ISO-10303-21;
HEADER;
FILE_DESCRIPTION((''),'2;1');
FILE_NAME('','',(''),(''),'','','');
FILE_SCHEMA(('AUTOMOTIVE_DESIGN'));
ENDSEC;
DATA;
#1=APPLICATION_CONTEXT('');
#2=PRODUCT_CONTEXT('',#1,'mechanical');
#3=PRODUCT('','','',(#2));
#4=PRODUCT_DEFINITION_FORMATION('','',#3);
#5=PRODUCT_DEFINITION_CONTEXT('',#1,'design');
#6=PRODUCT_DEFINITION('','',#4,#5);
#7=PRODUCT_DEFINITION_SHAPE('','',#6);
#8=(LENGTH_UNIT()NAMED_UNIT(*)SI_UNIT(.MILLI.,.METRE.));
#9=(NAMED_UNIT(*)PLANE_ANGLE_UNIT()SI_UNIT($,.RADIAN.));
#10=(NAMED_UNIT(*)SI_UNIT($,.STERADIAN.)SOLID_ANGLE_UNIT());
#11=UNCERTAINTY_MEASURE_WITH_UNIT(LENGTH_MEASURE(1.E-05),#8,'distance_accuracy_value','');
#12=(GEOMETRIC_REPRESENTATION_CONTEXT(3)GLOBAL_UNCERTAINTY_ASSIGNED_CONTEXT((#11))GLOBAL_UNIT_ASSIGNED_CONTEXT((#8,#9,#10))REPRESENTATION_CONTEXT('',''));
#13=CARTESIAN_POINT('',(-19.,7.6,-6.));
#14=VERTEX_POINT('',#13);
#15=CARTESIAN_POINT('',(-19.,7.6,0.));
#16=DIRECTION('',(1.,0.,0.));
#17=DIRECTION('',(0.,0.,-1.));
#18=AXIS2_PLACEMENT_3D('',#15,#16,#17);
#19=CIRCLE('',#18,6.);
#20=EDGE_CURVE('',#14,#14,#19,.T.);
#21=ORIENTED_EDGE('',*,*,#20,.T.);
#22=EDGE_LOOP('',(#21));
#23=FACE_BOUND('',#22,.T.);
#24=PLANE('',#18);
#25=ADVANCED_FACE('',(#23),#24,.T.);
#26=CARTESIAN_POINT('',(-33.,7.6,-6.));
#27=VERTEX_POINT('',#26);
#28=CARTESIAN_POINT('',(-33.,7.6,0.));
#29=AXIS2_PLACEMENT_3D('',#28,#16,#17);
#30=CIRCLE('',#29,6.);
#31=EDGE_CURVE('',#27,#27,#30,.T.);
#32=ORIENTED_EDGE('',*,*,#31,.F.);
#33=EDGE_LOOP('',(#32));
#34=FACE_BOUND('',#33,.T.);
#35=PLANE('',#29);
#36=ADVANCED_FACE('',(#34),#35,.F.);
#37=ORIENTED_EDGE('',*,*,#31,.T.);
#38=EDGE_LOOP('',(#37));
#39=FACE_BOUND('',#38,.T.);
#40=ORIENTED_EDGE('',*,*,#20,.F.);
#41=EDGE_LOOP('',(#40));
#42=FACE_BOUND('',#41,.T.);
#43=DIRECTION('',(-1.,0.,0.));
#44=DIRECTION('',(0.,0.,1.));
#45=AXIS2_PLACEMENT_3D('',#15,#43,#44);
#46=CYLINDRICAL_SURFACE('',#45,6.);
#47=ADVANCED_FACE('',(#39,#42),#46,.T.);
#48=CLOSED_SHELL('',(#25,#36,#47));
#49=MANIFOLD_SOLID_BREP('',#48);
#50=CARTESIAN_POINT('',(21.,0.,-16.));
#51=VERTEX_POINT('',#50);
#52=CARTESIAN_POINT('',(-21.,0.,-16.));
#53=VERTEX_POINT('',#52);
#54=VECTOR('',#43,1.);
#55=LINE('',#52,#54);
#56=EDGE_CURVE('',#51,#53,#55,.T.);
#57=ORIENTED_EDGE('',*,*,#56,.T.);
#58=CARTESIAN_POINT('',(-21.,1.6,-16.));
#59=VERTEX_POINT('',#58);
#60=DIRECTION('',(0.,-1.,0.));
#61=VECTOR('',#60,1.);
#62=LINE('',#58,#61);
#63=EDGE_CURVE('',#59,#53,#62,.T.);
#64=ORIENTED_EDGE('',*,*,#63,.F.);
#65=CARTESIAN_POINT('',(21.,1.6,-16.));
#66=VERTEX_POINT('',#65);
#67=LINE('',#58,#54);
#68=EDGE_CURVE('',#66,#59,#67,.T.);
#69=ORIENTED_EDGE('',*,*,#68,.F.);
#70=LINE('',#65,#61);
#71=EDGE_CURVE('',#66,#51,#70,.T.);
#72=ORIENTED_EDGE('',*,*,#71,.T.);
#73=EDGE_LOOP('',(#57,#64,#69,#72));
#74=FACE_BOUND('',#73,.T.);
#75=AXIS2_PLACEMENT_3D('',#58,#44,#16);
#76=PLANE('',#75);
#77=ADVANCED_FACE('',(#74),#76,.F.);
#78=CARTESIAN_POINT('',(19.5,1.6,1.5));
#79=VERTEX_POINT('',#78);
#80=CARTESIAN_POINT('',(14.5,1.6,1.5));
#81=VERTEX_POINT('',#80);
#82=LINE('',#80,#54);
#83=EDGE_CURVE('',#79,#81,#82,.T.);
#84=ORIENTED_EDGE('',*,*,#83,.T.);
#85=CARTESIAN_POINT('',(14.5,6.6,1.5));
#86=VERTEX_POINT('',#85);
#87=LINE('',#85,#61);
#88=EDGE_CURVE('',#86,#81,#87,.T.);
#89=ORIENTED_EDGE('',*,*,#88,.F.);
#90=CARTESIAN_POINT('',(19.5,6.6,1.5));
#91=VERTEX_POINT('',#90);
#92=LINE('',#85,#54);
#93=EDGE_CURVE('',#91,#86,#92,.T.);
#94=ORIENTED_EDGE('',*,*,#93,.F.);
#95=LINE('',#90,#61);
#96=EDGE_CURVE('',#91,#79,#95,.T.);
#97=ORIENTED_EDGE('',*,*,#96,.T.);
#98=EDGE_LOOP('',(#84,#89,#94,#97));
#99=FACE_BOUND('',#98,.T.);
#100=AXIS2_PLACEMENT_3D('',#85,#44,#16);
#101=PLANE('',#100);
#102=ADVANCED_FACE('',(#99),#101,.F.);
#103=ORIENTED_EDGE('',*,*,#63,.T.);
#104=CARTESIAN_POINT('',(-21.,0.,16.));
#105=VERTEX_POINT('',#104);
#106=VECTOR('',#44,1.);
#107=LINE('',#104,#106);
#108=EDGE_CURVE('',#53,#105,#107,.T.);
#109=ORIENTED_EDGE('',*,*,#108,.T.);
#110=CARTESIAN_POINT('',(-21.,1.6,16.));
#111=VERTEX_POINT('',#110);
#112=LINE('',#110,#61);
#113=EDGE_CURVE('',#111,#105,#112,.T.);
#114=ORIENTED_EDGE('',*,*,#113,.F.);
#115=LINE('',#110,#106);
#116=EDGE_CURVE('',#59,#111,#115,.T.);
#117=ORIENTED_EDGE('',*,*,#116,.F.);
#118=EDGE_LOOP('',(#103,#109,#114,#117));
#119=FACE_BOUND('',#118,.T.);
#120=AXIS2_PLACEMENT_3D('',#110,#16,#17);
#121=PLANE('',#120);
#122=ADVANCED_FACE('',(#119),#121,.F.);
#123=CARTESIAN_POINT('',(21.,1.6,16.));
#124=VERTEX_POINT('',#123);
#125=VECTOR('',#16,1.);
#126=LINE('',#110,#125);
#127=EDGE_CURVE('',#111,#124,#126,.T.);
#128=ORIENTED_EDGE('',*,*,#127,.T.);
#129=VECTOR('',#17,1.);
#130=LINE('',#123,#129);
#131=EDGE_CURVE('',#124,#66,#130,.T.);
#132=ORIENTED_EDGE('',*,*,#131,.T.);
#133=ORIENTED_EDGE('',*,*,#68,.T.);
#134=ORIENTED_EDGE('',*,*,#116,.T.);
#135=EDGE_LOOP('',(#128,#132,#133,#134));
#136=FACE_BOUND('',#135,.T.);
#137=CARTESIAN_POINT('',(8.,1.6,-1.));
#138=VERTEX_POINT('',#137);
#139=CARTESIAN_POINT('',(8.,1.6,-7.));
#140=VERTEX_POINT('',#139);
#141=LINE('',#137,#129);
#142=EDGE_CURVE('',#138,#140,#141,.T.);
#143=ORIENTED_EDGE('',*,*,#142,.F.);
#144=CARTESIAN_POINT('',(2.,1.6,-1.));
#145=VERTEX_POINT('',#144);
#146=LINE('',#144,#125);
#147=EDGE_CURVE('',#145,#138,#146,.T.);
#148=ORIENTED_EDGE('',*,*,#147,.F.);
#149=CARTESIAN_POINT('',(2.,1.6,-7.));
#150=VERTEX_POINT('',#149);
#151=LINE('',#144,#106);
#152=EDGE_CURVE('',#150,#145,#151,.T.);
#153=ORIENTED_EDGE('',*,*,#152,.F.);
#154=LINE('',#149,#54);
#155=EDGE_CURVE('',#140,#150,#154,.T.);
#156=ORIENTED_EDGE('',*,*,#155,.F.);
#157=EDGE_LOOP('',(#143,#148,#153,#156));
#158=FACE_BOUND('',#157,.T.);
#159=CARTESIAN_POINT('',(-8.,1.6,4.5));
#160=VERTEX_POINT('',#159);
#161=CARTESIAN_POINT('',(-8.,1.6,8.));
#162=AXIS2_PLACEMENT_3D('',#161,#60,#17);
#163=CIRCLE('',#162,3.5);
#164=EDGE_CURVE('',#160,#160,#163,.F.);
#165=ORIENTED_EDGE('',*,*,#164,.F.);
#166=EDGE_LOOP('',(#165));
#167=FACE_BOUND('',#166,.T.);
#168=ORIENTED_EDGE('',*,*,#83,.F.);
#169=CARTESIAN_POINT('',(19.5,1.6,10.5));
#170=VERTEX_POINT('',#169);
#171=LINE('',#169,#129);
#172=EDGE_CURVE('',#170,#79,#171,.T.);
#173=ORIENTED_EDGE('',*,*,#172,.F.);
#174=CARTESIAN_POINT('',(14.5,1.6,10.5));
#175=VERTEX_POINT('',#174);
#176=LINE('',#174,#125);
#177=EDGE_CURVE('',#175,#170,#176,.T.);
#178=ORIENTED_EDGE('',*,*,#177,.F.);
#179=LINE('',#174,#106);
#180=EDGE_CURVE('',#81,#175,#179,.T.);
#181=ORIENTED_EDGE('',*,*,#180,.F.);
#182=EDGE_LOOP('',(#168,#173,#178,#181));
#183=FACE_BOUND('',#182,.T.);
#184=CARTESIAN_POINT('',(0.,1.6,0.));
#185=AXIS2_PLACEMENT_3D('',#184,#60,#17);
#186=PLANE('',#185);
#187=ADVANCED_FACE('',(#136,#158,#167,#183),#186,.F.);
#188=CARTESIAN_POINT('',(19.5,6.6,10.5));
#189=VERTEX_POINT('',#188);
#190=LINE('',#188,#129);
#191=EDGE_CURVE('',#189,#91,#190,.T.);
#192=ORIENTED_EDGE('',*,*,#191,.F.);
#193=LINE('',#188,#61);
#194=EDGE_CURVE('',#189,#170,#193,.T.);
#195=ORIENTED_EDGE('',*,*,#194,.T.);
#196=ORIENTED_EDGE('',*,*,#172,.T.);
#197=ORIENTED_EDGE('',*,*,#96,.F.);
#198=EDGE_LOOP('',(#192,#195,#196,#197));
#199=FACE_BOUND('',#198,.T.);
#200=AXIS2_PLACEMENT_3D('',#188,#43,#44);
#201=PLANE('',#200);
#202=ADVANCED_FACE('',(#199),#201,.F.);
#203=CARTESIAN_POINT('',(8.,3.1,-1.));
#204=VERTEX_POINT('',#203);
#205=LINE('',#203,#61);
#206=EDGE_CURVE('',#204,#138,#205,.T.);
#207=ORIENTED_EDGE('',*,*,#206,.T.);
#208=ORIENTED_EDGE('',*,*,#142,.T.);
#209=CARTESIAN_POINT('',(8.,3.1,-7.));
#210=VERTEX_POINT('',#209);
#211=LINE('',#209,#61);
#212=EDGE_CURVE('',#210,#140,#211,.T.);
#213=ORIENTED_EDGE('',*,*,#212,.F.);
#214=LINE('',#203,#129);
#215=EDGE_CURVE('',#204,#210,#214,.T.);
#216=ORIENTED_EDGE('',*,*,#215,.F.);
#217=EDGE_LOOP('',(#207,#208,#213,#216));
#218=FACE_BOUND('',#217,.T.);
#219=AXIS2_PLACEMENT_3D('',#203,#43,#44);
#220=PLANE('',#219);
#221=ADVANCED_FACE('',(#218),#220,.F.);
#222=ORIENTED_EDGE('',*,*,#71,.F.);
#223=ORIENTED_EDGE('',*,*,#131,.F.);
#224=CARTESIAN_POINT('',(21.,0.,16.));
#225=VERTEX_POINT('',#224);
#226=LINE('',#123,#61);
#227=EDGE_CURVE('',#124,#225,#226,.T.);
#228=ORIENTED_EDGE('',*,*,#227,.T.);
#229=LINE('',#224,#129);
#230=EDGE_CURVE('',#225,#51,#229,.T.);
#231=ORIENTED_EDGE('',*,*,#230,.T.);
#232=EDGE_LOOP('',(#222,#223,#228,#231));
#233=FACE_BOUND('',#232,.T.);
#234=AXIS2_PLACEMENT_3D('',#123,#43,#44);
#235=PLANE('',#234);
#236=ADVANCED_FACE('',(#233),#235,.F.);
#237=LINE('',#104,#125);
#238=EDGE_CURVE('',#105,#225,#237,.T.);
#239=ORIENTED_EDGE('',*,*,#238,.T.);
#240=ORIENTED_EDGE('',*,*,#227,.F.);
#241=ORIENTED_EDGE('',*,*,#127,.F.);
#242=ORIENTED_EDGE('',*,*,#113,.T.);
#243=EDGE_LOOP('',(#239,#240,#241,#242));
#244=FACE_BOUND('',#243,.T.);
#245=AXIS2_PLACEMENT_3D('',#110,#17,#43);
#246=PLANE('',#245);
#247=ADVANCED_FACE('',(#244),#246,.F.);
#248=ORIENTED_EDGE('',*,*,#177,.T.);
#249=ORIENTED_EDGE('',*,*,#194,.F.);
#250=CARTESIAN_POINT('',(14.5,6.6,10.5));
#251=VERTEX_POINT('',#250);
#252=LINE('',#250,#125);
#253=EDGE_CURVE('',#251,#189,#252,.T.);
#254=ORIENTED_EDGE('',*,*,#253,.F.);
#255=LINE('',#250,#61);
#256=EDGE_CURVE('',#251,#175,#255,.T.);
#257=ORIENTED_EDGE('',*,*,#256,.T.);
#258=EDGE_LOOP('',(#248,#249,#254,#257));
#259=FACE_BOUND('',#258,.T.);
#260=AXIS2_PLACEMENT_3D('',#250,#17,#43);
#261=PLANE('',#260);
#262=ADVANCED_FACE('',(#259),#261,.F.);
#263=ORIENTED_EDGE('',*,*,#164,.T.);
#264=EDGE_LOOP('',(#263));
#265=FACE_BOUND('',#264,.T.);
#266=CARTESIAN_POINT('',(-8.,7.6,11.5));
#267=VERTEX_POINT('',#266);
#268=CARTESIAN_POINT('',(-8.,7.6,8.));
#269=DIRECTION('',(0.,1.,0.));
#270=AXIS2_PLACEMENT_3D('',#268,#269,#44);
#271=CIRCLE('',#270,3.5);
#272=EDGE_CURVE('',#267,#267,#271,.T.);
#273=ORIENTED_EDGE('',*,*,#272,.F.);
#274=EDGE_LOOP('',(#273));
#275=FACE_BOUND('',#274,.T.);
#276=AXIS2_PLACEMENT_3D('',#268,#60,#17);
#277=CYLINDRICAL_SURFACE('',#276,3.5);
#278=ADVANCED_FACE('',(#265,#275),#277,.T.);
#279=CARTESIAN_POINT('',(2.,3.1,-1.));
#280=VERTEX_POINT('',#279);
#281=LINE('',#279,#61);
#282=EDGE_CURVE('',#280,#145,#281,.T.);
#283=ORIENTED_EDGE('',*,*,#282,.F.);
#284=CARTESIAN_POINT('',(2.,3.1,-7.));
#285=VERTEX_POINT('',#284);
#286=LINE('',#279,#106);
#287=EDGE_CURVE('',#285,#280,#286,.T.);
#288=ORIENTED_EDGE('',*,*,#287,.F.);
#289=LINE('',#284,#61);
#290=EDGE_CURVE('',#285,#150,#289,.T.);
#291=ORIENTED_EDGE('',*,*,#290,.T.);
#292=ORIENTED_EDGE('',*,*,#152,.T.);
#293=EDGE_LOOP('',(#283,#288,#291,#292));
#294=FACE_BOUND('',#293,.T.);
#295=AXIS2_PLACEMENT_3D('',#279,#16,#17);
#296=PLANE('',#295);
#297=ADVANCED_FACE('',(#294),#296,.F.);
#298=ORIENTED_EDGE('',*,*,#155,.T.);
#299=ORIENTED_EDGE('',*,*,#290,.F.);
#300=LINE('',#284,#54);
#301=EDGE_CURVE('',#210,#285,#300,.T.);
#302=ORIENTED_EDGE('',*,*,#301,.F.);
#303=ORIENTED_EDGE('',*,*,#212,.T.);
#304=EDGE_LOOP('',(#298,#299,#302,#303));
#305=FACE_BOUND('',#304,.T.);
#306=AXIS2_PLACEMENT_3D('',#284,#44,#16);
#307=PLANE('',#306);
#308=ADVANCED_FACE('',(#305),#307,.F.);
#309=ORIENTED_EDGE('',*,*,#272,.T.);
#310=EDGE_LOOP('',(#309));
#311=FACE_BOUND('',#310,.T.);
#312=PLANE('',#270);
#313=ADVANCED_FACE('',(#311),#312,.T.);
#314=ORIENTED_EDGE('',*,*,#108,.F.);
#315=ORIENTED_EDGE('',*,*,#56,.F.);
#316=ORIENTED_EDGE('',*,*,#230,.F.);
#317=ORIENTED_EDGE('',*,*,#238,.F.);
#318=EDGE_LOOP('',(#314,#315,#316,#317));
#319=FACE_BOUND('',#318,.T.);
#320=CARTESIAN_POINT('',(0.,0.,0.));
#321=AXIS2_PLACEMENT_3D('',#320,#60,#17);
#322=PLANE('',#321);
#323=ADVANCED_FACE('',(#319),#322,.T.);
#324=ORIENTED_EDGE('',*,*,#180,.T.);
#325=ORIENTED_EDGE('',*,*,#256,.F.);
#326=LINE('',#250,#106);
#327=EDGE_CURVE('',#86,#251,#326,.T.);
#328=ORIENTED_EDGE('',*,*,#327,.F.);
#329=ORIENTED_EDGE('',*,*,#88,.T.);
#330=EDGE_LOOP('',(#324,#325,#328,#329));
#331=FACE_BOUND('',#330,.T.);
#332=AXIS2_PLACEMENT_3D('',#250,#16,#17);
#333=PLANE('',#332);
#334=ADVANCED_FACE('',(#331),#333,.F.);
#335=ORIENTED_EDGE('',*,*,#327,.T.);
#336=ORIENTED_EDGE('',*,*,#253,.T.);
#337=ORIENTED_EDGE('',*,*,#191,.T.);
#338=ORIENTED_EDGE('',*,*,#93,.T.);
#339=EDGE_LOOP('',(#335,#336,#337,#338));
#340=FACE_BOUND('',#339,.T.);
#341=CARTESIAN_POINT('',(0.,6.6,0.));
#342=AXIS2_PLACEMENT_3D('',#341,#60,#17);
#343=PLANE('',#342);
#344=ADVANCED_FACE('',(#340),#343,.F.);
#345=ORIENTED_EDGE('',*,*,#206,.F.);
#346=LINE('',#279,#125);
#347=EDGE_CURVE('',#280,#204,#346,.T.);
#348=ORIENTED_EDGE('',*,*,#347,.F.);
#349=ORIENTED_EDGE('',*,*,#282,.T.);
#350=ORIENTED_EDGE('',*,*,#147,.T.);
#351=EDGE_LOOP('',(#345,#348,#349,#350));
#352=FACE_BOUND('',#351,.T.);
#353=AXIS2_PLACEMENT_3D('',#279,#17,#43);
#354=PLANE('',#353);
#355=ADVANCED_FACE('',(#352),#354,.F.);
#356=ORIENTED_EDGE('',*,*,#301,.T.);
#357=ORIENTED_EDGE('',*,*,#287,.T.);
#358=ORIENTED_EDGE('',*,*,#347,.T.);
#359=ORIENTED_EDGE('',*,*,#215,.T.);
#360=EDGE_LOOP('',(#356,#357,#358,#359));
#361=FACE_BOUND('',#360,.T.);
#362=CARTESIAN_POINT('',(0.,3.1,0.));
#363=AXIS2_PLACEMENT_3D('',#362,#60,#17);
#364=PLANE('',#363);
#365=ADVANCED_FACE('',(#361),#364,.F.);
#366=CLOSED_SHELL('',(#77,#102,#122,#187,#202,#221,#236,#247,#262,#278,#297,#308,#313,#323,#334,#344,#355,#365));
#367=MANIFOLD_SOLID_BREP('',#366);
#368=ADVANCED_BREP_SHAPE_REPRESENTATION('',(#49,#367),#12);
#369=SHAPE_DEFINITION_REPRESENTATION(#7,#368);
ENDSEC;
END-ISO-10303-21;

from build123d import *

# Parameters (mm, degrees)
SKETCH1_W           = 42
SKETCH1_H           = 32
PCB_DEPTH           = 1.6
IC_START            = 1.6
SKETCH2_W           = 6
SKETCH2_H           = 6
IC_DEPTH            = 1.5
OUT_CONNECTOR_START = 1.6
SKETCH3_W           = 5
SKETCH3_H           = 9
OUT_CONNECTOR_DEPTH = 5
BNC_SOCKET_START    = -33
SKETCH4_R           = 6
BNC_SOCKET_DEPTH    = 14
TRIM_POT_START      = 1.6
SKETCH5_R           = 3.5
TRIM_POT_DEPTH      = 6


with BuildPart() as part:
    # Sketch1 → PCB (new body)
    with BuildSketch(Plane(origin=(0, 0, 0), x_dir=(1, 0, 0), z_dir=(0, 1, 0))):
        Rectangle(SKETCH1_W, SKETCH1_H)
    extrude(amount=PCB_DEPTH)

    # Sketch2 → IC (add)
    with BuildSketch(Plane(origin=(0, 0, 0), x_dir=(1, 0, 0), z_dir=(0, 1, 0)).offset(IC_START)):
        with Locations((5, 4)):
            Rectangle(SKETCH2_W, SKETCH2_H)
    extrude(amount=IC_DEPTH)

    # Sketch3 → Out_Connector (add)
    with BuildSketch(Plane(origin=(0, 0, 0), x_dir=(1, 0, 0), z_dir=(0, 1, 0)).offset(OUT_CONNECTOR_START)):
        with Locations((17, -6)):
            Rectangle(SKETCH3_W, SKETCH3_H)
    extrude(amount=OUT_CONNECTOR_DEPTH)

    # Sketch5 → Trim_Pot (add)
    with BuildSketch(Plane(origin=(0, 0, 0), x_dir=(1, 0, 0), z_dir=(0, 1, 0)).offset(TRIM_POT_START)):
        with Locations(Location((-8, -8, 0), (0, 0, 90))):
            Circle(SKETCH5_R)
    extrude(amount=TRIM_POT_DEPTH)


with BuildPart() as body_2:
    # Sketch4 → BNC_Socket (new body)
    with BuildSketch(Plane(origin=(0, 0, 0), x_dir=(0, 0, -1), z_dir=(1, 0, 0)).offset(BNC_SOCKET_START)):
        with Locations((0, 7.6)):
            Circle(SKETCH4_R)
    extrude(amount=BNC_SOCKET_DEPTH)


solid = Compound([part.part, body_2.part])
